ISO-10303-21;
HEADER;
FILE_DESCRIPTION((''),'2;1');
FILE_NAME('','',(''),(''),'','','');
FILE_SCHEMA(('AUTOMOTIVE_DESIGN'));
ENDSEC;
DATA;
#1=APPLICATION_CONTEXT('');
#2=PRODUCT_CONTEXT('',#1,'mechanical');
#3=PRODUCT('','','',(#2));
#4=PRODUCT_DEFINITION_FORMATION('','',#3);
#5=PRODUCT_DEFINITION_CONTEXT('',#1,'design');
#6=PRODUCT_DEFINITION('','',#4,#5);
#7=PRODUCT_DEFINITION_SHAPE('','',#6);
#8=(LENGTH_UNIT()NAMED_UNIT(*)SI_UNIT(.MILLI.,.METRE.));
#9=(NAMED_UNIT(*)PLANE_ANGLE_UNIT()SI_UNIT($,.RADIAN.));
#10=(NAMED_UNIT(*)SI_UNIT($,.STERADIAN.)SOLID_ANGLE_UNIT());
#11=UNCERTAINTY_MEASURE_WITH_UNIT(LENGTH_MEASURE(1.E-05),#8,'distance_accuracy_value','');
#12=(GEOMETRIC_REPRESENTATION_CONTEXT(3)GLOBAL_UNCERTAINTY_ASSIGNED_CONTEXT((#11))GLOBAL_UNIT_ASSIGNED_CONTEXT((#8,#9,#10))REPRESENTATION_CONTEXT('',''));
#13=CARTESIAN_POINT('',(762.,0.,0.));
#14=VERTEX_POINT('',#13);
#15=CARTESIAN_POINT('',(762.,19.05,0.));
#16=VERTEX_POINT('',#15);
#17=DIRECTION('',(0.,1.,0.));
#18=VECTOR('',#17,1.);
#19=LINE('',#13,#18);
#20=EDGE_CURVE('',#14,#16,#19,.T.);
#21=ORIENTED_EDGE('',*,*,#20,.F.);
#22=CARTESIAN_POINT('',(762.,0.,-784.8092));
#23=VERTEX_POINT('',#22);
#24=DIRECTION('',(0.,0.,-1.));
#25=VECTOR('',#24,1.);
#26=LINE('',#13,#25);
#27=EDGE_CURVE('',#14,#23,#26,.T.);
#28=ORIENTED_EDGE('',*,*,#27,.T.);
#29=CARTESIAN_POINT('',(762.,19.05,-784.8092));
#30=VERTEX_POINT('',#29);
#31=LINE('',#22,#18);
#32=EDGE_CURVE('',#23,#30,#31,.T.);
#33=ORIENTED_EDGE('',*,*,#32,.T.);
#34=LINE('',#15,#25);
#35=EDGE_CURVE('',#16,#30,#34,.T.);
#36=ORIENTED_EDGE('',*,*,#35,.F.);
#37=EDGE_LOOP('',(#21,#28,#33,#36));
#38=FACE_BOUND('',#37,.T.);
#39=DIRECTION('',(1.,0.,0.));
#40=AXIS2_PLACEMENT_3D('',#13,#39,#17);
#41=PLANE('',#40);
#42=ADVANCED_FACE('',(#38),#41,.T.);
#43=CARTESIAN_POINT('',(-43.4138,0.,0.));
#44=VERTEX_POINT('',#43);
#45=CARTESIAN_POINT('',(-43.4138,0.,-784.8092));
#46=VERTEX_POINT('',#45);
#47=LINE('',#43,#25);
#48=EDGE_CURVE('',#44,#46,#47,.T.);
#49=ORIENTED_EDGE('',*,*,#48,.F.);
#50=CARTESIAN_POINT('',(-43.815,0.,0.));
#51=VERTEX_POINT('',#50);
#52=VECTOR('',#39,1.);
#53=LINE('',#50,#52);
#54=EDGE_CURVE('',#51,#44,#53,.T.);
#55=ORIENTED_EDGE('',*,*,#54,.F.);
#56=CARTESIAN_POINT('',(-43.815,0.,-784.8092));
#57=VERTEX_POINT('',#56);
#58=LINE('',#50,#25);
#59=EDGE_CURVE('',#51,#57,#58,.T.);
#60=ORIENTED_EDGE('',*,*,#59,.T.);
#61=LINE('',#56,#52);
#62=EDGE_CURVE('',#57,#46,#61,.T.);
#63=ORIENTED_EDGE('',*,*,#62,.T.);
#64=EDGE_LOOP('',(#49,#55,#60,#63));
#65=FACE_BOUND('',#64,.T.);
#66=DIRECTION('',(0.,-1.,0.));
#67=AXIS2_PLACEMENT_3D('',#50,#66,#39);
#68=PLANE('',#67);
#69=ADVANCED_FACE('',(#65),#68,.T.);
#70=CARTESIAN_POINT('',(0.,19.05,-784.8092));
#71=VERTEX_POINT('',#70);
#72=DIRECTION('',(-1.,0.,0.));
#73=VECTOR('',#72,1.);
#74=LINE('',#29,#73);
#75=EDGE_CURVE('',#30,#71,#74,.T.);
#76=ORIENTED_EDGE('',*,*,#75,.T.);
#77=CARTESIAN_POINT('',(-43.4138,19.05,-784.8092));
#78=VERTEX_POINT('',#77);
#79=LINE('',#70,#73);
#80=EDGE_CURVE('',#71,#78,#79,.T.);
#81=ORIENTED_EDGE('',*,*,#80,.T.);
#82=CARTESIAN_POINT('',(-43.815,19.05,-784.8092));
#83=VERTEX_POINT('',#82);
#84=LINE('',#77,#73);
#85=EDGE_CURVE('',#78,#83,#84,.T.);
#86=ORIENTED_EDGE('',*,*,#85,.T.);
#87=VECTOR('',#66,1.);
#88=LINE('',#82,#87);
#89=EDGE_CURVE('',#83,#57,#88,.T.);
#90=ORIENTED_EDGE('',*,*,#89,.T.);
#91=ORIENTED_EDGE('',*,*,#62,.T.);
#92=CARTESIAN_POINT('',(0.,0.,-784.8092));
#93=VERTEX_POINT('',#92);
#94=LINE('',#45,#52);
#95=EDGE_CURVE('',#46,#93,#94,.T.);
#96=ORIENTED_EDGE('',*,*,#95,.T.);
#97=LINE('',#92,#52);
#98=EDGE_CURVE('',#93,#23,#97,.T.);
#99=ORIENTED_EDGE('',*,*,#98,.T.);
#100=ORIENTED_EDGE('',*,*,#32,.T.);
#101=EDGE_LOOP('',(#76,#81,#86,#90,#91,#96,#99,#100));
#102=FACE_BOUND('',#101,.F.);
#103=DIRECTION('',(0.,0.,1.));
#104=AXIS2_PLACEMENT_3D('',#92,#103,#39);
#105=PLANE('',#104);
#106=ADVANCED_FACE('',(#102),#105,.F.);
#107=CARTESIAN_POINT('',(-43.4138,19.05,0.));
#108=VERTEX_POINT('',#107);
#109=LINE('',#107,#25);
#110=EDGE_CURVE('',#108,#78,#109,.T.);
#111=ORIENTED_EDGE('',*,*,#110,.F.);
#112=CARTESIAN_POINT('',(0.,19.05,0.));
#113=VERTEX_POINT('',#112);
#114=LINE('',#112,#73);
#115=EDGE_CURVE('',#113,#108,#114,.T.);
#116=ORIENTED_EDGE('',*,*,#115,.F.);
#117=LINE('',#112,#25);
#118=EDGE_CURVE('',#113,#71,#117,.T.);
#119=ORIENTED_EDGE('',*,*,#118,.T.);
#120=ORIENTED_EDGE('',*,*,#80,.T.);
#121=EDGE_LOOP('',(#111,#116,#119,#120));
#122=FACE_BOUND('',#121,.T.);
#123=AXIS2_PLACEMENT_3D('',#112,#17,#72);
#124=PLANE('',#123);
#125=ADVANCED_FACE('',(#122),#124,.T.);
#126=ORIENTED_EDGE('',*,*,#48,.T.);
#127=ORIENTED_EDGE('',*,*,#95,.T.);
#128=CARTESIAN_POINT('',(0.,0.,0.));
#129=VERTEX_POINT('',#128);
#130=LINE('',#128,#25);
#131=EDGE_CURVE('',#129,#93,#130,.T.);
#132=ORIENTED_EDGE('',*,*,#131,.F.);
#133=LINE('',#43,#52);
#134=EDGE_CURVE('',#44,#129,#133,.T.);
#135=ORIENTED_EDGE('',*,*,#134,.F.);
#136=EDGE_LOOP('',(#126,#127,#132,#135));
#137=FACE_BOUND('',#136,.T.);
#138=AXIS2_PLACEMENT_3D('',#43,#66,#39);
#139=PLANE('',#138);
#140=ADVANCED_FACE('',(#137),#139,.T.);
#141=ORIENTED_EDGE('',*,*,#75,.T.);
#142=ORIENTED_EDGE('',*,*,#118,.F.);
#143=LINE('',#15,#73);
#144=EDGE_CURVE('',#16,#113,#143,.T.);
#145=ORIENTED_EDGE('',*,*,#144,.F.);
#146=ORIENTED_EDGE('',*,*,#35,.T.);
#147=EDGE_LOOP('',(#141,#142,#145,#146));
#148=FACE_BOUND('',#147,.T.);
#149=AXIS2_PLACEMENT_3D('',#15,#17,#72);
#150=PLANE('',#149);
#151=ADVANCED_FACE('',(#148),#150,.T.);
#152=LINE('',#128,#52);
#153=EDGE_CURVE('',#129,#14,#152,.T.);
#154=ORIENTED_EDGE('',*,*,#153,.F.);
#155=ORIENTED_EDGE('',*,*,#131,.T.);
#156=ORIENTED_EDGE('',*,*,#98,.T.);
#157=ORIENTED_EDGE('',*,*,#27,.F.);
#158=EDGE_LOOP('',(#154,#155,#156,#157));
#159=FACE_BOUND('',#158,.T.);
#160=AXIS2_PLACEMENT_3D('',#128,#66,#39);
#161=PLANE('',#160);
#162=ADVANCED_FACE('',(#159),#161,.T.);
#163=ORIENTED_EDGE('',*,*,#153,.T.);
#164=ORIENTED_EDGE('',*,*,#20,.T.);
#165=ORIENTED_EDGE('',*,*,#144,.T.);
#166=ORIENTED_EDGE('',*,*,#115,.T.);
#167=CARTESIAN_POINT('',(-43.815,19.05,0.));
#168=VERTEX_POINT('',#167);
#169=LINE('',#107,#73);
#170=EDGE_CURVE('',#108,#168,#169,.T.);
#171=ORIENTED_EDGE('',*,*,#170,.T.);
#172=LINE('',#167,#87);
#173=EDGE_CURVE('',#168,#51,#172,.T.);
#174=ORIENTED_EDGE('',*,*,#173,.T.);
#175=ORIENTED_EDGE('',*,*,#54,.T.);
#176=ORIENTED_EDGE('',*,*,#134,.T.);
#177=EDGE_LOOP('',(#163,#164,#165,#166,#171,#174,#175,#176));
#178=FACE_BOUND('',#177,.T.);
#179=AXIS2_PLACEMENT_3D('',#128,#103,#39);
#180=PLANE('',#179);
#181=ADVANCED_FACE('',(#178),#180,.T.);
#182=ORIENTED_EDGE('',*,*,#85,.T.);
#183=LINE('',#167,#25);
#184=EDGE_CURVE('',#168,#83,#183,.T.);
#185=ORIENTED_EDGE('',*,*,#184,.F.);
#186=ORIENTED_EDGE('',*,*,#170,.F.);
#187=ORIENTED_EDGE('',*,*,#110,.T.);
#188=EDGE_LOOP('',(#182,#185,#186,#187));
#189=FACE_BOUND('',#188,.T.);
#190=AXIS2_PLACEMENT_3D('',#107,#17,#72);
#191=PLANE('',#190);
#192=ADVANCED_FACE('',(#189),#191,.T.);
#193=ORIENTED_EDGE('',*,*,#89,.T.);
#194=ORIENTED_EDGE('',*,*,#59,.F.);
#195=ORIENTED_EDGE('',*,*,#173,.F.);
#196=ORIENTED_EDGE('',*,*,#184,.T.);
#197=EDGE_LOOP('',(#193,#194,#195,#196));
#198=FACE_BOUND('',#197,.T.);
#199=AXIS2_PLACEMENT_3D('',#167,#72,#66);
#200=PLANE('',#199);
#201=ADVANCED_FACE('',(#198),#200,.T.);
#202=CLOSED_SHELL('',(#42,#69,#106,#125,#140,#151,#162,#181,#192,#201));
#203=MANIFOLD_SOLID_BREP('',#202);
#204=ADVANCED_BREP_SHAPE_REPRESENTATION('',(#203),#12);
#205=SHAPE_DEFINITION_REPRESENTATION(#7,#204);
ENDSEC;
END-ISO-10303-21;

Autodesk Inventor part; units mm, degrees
ref_plane "YZ Plane" through (0, 0, 0) normal (1, 0, 0) x (0, 1, 0)
ref_plane "XZ Plane" through (0, 0, 0) normal (0, 1, 0) x (-1, 0, 0)
ref_plane "XY Plane" through (0, 0, 0) normal (0, 0, 1) x (1, 0, 0)
sketch "Sketch1" plane through (0, 0, 0) normal (0, 0, 1) x (1, 0, 0)
  line L0 (0, 0) -> (762, 0)
  line L1 (762, 0) -> (762, 19.05)
  line L2 (762, 19.05) -> (0, 19.05)
  line L3 (0, 19.05) -> (-43.4138, 19.05)
  line L4 (-43.4138, 0) -> (0, 0)
  line L5 (-43.815, 19.05) -> (-43.815, 23.2664)
  line L6 (-43.4138, 19.05) -> (-43.815, 19.05)
  line L7 (-43.815, 19.05) -> (-43.815, 0)
  line L8 (-43.815, 0) -> (-43.4138, 0)
  dimension "d0" = 762
  dimension "d1" = 19.05
extrude "Extrusion1" add sketch "Sketch1" against normal blind 784.8092
properties part number "Plywood Base - TBone"
